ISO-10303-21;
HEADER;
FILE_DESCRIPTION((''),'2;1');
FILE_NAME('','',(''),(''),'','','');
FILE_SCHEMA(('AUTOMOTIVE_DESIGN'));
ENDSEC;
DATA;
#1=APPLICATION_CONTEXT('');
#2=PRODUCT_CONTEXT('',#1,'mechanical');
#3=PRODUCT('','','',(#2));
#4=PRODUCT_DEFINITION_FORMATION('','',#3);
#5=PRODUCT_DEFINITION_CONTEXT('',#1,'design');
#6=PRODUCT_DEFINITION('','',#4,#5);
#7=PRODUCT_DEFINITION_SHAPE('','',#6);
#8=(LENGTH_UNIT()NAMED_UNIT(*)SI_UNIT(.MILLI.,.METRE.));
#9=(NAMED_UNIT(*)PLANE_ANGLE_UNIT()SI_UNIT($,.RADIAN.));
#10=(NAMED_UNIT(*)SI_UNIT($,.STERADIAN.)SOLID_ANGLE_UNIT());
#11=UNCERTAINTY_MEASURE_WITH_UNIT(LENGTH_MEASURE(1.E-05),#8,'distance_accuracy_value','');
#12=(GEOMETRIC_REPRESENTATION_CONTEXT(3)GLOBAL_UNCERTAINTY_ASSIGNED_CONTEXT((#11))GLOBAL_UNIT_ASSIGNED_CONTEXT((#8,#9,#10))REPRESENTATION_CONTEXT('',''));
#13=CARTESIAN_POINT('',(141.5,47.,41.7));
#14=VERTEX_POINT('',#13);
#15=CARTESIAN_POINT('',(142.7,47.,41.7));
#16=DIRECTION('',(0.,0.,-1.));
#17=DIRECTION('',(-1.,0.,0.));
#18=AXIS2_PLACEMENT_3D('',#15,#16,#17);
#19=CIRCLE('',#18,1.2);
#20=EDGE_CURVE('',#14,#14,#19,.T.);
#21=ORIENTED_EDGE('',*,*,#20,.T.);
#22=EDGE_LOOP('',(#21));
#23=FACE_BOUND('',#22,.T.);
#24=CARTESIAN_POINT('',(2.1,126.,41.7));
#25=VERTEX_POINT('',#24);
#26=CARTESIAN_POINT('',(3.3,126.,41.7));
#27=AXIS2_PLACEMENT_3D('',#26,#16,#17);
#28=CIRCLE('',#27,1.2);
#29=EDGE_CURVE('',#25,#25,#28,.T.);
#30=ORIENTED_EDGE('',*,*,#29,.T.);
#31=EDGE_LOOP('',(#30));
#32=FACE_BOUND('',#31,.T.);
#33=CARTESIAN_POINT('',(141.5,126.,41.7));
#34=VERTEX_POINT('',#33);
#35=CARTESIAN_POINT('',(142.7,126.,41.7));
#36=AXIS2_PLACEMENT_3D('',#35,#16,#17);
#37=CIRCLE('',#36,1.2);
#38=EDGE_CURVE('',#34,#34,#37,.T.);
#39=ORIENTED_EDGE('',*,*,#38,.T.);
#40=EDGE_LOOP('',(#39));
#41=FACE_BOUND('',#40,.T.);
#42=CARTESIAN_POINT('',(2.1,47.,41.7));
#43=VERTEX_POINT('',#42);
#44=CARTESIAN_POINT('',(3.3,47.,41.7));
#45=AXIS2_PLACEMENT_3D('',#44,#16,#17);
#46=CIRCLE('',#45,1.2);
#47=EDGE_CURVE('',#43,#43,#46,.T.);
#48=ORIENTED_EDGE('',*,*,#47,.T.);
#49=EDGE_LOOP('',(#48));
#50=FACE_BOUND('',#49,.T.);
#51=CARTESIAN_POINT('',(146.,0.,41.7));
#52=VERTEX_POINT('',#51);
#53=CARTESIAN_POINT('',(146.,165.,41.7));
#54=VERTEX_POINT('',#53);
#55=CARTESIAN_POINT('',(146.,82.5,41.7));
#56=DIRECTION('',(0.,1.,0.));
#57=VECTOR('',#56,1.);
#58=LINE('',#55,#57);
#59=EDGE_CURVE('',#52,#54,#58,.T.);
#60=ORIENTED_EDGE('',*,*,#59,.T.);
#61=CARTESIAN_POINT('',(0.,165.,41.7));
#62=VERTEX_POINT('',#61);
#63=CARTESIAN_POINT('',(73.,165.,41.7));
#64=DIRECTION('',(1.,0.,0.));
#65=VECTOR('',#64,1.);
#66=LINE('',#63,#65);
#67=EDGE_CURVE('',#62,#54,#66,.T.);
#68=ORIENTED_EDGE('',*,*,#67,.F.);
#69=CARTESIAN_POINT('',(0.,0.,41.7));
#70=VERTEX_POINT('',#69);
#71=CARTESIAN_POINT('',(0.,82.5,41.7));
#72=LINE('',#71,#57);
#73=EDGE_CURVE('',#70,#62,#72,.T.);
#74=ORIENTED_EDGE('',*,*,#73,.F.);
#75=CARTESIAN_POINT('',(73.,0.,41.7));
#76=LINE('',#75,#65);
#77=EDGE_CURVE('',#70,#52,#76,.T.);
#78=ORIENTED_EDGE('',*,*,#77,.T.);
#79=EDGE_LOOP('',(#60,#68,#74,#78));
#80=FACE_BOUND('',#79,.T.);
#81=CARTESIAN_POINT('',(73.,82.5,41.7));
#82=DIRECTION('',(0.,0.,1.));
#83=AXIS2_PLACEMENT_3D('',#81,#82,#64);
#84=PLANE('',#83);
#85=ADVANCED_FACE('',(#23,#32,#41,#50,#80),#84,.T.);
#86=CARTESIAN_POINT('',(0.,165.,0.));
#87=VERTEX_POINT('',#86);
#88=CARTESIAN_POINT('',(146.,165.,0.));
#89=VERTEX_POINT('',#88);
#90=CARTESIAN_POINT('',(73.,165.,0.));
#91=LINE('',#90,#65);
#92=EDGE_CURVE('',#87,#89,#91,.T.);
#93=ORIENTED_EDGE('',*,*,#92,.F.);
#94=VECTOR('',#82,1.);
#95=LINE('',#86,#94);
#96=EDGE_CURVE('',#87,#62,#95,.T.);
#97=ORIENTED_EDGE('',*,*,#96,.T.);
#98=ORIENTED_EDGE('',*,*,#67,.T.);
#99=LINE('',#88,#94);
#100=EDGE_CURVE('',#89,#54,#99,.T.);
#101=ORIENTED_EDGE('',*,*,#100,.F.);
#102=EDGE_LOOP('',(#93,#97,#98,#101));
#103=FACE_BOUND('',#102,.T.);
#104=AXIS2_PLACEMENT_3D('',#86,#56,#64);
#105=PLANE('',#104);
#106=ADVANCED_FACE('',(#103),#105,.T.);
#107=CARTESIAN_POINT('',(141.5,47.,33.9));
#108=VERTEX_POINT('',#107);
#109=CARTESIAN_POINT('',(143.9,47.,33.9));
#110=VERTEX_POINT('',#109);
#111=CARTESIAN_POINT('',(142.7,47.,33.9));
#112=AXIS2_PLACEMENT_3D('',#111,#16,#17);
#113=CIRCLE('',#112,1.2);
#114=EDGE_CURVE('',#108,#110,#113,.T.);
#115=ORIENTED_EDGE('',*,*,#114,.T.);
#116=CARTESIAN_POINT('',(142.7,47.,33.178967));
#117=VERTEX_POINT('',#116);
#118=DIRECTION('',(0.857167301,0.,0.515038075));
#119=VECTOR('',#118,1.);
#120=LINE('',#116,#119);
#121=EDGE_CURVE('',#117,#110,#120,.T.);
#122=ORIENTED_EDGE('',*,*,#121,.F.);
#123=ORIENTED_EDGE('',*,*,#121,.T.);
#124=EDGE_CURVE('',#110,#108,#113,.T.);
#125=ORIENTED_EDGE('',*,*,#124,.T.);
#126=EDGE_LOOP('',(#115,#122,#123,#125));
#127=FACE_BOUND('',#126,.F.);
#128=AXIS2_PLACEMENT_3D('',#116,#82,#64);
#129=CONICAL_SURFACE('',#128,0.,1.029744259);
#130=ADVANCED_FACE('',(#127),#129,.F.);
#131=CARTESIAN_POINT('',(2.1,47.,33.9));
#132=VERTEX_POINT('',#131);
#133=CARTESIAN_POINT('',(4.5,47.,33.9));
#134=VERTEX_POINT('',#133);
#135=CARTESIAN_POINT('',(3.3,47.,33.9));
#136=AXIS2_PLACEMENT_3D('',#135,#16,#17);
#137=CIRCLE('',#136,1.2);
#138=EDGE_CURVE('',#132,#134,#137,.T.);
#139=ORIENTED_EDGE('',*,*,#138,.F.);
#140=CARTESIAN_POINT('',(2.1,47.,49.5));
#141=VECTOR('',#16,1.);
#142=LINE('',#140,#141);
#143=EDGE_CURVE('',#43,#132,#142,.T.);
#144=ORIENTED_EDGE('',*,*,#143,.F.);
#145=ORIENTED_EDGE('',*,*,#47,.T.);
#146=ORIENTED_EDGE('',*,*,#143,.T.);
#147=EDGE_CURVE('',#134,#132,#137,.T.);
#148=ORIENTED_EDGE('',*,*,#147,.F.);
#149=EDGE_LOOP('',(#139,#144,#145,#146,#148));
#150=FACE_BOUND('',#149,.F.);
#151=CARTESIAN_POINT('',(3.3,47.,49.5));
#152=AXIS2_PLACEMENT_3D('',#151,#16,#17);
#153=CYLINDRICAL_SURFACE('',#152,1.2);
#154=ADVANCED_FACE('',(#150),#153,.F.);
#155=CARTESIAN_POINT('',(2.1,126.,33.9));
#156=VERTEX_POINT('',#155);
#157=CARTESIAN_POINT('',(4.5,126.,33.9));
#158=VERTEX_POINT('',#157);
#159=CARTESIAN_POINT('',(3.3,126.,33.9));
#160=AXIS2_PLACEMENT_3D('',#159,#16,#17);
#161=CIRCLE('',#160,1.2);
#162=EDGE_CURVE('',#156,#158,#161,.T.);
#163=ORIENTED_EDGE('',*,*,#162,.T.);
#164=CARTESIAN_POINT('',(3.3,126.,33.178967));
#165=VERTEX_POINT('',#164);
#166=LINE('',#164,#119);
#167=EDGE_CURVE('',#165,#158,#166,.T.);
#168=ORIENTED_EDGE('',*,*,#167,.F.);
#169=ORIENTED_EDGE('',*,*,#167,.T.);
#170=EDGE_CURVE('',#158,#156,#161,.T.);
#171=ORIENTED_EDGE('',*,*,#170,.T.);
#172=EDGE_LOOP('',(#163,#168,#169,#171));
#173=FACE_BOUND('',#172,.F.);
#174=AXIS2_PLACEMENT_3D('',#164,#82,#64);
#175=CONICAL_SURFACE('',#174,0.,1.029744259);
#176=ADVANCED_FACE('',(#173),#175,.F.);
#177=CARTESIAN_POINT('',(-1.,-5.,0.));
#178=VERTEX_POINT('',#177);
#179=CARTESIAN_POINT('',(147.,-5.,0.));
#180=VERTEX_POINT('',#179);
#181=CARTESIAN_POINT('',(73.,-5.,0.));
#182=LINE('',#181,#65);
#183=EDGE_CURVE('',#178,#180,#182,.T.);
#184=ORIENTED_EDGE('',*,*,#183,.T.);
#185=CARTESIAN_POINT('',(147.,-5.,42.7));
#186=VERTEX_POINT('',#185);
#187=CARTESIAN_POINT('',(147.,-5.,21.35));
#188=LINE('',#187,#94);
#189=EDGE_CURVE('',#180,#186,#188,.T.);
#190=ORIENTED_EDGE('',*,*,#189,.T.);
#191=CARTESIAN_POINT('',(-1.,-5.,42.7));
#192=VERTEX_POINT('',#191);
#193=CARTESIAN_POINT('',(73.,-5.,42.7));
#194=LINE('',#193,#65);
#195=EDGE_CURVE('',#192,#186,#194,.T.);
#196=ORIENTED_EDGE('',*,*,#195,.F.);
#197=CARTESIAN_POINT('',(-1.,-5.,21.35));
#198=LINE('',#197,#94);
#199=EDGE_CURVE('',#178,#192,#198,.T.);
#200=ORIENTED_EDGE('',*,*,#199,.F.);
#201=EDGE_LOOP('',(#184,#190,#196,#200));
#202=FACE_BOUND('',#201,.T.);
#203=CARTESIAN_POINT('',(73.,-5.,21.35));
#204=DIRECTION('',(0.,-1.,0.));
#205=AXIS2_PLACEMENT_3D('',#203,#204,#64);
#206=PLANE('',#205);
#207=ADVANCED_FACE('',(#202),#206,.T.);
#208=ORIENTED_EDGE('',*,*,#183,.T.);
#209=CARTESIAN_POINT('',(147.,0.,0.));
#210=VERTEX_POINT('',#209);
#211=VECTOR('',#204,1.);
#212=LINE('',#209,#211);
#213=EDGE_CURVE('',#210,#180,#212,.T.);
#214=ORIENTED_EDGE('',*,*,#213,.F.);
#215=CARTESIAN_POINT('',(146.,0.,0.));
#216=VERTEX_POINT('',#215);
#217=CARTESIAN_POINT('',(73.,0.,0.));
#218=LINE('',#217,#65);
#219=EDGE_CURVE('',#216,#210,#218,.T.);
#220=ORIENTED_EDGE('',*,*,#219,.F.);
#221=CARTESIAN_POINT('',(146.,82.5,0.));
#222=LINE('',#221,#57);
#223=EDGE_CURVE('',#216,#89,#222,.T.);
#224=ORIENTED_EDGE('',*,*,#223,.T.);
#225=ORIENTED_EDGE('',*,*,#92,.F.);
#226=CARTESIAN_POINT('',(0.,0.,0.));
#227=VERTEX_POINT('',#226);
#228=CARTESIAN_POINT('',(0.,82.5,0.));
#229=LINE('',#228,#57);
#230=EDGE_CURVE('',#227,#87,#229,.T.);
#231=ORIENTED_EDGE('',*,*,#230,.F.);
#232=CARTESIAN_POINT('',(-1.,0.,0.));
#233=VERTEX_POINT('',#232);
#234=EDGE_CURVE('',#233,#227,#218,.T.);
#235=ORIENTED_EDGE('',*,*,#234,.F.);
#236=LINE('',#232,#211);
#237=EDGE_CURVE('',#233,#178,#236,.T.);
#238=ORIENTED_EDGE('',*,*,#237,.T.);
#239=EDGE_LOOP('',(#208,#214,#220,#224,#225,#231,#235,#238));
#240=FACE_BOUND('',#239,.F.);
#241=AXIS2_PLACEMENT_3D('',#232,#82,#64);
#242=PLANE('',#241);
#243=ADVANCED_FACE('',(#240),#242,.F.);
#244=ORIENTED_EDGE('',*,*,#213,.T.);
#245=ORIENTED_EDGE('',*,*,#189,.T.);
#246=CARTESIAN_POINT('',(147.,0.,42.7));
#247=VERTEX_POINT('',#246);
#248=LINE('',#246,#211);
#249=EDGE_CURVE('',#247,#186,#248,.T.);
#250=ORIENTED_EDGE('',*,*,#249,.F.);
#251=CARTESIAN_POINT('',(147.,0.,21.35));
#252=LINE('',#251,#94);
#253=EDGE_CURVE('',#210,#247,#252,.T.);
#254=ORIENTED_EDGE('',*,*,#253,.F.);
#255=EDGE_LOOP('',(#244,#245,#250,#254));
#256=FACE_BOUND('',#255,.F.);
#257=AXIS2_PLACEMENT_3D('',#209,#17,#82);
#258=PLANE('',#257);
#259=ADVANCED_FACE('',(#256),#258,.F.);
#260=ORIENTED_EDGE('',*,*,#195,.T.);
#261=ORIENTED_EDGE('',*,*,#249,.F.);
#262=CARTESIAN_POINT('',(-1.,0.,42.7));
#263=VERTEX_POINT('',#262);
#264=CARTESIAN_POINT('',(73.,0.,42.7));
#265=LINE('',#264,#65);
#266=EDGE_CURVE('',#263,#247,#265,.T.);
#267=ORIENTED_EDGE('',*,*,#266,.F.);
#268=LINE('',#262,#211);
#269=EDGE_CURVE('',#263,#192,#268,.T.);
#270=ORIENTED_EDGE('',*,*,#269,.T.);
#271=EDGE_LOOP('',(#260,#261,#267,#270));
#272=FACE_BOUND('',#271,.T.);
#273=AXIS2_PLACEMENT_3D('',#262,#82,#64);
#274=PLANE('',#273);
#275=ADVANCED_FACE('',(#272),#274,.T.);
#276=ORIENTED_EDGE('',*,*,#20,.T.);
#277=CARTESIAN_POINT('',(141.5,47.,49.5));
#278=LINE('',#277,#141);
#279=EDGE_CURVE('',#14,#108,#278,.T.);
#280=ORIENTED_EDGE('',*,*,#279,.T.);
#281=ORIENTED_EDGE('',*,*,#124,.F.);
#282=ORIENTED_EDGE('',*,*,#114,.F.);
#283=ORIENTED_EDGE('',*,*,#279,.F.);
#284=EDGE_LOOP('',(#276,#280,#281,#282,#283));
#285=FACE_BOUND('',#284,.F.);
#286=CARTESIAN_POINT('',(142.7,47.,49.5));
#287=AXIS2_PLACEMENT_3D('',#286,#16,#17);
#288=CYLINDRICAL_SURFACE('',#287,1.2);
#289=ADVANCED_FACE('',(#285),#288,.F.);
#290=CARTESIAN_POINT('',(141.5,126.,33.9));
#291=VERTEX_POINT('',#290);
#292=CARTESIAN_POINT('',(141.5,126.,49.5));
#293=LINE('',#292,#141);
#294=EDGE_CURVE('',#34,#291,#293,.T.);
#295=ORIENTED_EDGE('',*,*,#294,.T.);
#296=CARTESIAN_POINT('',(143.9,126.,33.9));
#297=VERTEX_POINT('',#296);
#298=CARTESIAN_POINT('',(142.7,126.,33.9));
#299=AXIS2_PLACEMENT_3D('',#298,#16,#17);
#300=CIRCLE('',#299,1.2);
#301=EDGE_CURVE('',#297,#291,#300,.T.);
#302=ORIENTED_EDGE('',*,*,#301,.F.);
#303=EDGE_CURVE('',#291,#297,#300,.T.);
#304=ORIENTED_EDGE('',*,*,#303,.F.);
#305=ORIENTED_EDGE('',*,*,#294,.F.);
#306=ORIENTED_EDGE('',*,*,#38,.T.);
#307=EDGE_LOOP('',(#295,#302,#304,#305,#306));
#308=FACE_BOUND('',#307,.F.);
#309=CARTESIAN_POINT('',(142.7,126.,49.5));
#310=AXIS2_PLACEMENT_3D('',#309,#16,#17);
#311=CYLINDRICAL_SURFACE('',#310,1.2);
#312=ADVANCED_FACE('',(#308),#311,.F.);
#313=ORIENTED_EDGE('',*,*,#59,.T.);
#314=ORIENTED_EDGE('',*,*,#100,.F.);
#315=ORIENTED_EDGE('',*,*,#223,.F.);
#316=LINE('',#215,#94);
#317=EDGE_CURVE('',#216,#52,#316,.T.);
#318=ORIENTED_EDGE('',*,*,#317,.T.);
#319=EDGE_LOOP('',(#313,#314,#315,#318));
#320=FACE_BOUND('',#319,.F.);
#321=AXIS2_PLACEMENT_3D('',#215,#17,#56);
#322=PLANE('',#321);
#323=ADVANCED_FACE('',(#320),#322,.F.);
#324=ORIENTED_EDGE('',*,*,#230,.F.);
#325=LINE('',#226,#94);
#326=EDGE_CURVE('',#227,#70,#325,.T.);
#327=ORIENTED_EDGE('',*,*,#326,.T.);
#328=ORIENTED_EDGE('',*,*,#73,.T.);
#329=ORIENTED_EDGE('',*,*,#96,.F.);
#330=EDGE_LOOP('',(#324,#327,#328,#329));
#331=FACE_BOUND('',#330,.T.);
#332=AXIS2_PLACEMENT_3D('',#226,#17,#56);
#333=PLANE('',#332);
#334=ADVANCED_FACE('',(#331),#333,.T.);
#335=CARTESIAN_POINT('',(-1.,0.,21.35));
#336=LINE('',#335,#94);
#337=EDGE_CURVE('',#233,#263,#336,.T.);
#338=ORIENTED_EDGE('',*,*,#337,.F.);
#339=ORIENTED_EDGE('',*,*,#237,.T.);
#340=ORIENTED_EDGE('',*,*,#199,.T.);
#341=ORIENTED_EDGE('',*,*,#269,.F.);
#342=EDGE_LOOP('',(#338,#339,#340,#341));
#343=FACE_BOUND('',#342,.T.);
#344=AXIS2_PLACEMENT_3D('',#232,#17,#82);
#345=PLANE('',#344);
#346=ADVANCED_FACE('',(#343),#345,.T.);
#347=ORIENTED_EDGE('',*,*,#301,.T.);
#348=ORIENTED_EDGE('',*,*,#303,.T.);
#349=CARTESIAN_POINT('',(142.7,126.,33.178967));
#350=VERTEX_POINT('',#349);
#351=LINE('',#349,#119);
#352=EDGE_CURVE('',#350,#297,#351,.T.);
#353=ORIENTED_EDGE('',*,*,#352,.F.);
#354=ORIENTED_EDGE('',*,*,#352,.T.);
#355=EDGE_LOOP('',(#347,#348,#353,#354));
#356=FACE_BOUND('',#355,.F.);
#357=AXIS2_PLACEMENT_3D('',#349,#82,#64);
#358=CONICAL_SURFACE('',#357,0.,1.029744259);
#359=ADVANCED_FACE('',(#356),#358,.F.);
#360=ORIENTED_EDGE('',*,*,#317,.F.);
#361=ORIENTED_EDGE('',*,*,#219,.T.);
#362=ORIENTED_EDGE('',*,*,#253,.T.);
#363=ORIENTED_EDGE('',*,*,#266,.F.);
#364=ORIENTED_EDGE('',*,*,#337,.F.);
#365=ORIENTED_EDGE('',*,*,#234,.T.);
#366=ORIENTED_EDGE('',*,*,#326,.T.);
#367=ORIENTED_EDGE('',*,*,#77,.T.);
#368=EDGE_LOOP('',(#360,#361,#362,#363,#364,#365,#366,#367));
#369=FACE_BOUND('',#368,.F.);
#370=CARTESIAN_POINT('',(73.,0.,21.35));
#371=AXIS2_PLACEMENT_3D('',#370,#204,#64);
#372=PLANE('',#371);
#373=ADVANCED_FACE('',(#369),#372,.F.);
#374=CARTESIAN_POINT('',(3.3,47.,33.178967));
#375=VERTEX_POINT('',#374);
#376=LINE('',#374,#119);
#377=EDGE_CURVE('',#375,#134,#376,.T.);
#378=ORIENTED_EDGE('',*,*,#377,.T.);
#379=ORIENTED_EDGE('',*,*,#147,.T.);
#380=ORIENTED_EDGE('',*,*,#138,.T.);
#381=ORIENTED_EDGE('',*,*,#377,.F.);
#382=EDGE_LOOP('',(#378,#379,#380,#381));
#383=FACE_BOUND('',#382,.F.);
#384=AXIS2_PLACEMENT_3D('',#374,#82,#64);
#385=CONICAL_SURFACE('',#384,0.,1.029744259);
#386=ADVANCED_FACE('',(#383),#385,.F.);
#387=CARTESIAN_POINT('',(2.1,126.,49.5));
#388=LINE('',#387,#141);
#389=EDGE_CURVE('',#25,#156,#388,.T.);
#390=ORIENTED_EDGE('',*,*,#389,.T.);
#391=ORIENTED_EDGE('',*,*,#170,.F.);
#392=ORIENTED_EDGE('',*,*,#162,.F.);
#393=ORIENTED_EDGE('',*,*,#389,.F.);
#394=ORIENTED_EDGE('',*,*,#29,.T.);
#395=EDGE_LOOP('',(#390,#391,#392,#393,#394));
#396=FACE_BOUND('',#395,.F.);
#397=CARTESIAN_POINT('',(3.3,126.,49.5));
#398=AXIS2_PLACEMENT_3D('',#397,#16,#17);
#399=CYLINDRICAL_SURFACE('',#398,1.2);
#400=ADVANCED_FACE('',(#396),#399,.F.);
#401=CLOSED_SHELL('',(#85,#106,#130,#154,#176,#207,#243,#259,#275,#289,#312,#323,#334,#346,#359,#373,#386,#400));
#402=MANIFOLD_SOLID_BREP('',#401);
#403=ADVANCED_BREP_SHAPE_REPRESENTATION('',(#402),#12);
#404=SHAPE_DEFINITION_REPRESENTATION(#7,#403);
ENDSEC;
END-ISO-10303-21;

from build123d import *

# Parameters (mm, degrees)
F0_W     = 146
F0_H     = 165
F1_DEPTH = 41.7
F2_W     = 148
F2_H     = 42.7
F3_DEPTH = 5
F5_D     = 2.4
F5_DEPTH = 7.8
F5_TIP   = 0.7210327428


with BuildPart() as f1:
    # F0 (on Top) → F1 (new body)
    with BuildSketch(Plane.XY):
        with Locations((73, 82.5)):
            Rectangle(F0_W, F0_H)
    extrude(amount=F1_DEPTH)

    # F2 (on face) → F3 (join)
    with BuildSketch(Plane.XZ):
        with Locations((73, 21.35)):
            Rectangle(F2_W, F2_H)
    extrude(amount=F3_DEPTH)

    # F5
    with Locations(Plane.XY.offset(41.7)):
        with Locations((3.3, 126), (142.7, 126), (142.7, 47), (3.3, 47)):
            Hole(F5_D / 2, depth=F5_DEPTH)
            with Locations((0, 0, -(F5_DEPTH + F5_TIP / 2))):  # 118° drill point
                Cone(0, F5_D / 2, F5_TIP, mode=Mode.SUBTRACT)


solid = f1.part
